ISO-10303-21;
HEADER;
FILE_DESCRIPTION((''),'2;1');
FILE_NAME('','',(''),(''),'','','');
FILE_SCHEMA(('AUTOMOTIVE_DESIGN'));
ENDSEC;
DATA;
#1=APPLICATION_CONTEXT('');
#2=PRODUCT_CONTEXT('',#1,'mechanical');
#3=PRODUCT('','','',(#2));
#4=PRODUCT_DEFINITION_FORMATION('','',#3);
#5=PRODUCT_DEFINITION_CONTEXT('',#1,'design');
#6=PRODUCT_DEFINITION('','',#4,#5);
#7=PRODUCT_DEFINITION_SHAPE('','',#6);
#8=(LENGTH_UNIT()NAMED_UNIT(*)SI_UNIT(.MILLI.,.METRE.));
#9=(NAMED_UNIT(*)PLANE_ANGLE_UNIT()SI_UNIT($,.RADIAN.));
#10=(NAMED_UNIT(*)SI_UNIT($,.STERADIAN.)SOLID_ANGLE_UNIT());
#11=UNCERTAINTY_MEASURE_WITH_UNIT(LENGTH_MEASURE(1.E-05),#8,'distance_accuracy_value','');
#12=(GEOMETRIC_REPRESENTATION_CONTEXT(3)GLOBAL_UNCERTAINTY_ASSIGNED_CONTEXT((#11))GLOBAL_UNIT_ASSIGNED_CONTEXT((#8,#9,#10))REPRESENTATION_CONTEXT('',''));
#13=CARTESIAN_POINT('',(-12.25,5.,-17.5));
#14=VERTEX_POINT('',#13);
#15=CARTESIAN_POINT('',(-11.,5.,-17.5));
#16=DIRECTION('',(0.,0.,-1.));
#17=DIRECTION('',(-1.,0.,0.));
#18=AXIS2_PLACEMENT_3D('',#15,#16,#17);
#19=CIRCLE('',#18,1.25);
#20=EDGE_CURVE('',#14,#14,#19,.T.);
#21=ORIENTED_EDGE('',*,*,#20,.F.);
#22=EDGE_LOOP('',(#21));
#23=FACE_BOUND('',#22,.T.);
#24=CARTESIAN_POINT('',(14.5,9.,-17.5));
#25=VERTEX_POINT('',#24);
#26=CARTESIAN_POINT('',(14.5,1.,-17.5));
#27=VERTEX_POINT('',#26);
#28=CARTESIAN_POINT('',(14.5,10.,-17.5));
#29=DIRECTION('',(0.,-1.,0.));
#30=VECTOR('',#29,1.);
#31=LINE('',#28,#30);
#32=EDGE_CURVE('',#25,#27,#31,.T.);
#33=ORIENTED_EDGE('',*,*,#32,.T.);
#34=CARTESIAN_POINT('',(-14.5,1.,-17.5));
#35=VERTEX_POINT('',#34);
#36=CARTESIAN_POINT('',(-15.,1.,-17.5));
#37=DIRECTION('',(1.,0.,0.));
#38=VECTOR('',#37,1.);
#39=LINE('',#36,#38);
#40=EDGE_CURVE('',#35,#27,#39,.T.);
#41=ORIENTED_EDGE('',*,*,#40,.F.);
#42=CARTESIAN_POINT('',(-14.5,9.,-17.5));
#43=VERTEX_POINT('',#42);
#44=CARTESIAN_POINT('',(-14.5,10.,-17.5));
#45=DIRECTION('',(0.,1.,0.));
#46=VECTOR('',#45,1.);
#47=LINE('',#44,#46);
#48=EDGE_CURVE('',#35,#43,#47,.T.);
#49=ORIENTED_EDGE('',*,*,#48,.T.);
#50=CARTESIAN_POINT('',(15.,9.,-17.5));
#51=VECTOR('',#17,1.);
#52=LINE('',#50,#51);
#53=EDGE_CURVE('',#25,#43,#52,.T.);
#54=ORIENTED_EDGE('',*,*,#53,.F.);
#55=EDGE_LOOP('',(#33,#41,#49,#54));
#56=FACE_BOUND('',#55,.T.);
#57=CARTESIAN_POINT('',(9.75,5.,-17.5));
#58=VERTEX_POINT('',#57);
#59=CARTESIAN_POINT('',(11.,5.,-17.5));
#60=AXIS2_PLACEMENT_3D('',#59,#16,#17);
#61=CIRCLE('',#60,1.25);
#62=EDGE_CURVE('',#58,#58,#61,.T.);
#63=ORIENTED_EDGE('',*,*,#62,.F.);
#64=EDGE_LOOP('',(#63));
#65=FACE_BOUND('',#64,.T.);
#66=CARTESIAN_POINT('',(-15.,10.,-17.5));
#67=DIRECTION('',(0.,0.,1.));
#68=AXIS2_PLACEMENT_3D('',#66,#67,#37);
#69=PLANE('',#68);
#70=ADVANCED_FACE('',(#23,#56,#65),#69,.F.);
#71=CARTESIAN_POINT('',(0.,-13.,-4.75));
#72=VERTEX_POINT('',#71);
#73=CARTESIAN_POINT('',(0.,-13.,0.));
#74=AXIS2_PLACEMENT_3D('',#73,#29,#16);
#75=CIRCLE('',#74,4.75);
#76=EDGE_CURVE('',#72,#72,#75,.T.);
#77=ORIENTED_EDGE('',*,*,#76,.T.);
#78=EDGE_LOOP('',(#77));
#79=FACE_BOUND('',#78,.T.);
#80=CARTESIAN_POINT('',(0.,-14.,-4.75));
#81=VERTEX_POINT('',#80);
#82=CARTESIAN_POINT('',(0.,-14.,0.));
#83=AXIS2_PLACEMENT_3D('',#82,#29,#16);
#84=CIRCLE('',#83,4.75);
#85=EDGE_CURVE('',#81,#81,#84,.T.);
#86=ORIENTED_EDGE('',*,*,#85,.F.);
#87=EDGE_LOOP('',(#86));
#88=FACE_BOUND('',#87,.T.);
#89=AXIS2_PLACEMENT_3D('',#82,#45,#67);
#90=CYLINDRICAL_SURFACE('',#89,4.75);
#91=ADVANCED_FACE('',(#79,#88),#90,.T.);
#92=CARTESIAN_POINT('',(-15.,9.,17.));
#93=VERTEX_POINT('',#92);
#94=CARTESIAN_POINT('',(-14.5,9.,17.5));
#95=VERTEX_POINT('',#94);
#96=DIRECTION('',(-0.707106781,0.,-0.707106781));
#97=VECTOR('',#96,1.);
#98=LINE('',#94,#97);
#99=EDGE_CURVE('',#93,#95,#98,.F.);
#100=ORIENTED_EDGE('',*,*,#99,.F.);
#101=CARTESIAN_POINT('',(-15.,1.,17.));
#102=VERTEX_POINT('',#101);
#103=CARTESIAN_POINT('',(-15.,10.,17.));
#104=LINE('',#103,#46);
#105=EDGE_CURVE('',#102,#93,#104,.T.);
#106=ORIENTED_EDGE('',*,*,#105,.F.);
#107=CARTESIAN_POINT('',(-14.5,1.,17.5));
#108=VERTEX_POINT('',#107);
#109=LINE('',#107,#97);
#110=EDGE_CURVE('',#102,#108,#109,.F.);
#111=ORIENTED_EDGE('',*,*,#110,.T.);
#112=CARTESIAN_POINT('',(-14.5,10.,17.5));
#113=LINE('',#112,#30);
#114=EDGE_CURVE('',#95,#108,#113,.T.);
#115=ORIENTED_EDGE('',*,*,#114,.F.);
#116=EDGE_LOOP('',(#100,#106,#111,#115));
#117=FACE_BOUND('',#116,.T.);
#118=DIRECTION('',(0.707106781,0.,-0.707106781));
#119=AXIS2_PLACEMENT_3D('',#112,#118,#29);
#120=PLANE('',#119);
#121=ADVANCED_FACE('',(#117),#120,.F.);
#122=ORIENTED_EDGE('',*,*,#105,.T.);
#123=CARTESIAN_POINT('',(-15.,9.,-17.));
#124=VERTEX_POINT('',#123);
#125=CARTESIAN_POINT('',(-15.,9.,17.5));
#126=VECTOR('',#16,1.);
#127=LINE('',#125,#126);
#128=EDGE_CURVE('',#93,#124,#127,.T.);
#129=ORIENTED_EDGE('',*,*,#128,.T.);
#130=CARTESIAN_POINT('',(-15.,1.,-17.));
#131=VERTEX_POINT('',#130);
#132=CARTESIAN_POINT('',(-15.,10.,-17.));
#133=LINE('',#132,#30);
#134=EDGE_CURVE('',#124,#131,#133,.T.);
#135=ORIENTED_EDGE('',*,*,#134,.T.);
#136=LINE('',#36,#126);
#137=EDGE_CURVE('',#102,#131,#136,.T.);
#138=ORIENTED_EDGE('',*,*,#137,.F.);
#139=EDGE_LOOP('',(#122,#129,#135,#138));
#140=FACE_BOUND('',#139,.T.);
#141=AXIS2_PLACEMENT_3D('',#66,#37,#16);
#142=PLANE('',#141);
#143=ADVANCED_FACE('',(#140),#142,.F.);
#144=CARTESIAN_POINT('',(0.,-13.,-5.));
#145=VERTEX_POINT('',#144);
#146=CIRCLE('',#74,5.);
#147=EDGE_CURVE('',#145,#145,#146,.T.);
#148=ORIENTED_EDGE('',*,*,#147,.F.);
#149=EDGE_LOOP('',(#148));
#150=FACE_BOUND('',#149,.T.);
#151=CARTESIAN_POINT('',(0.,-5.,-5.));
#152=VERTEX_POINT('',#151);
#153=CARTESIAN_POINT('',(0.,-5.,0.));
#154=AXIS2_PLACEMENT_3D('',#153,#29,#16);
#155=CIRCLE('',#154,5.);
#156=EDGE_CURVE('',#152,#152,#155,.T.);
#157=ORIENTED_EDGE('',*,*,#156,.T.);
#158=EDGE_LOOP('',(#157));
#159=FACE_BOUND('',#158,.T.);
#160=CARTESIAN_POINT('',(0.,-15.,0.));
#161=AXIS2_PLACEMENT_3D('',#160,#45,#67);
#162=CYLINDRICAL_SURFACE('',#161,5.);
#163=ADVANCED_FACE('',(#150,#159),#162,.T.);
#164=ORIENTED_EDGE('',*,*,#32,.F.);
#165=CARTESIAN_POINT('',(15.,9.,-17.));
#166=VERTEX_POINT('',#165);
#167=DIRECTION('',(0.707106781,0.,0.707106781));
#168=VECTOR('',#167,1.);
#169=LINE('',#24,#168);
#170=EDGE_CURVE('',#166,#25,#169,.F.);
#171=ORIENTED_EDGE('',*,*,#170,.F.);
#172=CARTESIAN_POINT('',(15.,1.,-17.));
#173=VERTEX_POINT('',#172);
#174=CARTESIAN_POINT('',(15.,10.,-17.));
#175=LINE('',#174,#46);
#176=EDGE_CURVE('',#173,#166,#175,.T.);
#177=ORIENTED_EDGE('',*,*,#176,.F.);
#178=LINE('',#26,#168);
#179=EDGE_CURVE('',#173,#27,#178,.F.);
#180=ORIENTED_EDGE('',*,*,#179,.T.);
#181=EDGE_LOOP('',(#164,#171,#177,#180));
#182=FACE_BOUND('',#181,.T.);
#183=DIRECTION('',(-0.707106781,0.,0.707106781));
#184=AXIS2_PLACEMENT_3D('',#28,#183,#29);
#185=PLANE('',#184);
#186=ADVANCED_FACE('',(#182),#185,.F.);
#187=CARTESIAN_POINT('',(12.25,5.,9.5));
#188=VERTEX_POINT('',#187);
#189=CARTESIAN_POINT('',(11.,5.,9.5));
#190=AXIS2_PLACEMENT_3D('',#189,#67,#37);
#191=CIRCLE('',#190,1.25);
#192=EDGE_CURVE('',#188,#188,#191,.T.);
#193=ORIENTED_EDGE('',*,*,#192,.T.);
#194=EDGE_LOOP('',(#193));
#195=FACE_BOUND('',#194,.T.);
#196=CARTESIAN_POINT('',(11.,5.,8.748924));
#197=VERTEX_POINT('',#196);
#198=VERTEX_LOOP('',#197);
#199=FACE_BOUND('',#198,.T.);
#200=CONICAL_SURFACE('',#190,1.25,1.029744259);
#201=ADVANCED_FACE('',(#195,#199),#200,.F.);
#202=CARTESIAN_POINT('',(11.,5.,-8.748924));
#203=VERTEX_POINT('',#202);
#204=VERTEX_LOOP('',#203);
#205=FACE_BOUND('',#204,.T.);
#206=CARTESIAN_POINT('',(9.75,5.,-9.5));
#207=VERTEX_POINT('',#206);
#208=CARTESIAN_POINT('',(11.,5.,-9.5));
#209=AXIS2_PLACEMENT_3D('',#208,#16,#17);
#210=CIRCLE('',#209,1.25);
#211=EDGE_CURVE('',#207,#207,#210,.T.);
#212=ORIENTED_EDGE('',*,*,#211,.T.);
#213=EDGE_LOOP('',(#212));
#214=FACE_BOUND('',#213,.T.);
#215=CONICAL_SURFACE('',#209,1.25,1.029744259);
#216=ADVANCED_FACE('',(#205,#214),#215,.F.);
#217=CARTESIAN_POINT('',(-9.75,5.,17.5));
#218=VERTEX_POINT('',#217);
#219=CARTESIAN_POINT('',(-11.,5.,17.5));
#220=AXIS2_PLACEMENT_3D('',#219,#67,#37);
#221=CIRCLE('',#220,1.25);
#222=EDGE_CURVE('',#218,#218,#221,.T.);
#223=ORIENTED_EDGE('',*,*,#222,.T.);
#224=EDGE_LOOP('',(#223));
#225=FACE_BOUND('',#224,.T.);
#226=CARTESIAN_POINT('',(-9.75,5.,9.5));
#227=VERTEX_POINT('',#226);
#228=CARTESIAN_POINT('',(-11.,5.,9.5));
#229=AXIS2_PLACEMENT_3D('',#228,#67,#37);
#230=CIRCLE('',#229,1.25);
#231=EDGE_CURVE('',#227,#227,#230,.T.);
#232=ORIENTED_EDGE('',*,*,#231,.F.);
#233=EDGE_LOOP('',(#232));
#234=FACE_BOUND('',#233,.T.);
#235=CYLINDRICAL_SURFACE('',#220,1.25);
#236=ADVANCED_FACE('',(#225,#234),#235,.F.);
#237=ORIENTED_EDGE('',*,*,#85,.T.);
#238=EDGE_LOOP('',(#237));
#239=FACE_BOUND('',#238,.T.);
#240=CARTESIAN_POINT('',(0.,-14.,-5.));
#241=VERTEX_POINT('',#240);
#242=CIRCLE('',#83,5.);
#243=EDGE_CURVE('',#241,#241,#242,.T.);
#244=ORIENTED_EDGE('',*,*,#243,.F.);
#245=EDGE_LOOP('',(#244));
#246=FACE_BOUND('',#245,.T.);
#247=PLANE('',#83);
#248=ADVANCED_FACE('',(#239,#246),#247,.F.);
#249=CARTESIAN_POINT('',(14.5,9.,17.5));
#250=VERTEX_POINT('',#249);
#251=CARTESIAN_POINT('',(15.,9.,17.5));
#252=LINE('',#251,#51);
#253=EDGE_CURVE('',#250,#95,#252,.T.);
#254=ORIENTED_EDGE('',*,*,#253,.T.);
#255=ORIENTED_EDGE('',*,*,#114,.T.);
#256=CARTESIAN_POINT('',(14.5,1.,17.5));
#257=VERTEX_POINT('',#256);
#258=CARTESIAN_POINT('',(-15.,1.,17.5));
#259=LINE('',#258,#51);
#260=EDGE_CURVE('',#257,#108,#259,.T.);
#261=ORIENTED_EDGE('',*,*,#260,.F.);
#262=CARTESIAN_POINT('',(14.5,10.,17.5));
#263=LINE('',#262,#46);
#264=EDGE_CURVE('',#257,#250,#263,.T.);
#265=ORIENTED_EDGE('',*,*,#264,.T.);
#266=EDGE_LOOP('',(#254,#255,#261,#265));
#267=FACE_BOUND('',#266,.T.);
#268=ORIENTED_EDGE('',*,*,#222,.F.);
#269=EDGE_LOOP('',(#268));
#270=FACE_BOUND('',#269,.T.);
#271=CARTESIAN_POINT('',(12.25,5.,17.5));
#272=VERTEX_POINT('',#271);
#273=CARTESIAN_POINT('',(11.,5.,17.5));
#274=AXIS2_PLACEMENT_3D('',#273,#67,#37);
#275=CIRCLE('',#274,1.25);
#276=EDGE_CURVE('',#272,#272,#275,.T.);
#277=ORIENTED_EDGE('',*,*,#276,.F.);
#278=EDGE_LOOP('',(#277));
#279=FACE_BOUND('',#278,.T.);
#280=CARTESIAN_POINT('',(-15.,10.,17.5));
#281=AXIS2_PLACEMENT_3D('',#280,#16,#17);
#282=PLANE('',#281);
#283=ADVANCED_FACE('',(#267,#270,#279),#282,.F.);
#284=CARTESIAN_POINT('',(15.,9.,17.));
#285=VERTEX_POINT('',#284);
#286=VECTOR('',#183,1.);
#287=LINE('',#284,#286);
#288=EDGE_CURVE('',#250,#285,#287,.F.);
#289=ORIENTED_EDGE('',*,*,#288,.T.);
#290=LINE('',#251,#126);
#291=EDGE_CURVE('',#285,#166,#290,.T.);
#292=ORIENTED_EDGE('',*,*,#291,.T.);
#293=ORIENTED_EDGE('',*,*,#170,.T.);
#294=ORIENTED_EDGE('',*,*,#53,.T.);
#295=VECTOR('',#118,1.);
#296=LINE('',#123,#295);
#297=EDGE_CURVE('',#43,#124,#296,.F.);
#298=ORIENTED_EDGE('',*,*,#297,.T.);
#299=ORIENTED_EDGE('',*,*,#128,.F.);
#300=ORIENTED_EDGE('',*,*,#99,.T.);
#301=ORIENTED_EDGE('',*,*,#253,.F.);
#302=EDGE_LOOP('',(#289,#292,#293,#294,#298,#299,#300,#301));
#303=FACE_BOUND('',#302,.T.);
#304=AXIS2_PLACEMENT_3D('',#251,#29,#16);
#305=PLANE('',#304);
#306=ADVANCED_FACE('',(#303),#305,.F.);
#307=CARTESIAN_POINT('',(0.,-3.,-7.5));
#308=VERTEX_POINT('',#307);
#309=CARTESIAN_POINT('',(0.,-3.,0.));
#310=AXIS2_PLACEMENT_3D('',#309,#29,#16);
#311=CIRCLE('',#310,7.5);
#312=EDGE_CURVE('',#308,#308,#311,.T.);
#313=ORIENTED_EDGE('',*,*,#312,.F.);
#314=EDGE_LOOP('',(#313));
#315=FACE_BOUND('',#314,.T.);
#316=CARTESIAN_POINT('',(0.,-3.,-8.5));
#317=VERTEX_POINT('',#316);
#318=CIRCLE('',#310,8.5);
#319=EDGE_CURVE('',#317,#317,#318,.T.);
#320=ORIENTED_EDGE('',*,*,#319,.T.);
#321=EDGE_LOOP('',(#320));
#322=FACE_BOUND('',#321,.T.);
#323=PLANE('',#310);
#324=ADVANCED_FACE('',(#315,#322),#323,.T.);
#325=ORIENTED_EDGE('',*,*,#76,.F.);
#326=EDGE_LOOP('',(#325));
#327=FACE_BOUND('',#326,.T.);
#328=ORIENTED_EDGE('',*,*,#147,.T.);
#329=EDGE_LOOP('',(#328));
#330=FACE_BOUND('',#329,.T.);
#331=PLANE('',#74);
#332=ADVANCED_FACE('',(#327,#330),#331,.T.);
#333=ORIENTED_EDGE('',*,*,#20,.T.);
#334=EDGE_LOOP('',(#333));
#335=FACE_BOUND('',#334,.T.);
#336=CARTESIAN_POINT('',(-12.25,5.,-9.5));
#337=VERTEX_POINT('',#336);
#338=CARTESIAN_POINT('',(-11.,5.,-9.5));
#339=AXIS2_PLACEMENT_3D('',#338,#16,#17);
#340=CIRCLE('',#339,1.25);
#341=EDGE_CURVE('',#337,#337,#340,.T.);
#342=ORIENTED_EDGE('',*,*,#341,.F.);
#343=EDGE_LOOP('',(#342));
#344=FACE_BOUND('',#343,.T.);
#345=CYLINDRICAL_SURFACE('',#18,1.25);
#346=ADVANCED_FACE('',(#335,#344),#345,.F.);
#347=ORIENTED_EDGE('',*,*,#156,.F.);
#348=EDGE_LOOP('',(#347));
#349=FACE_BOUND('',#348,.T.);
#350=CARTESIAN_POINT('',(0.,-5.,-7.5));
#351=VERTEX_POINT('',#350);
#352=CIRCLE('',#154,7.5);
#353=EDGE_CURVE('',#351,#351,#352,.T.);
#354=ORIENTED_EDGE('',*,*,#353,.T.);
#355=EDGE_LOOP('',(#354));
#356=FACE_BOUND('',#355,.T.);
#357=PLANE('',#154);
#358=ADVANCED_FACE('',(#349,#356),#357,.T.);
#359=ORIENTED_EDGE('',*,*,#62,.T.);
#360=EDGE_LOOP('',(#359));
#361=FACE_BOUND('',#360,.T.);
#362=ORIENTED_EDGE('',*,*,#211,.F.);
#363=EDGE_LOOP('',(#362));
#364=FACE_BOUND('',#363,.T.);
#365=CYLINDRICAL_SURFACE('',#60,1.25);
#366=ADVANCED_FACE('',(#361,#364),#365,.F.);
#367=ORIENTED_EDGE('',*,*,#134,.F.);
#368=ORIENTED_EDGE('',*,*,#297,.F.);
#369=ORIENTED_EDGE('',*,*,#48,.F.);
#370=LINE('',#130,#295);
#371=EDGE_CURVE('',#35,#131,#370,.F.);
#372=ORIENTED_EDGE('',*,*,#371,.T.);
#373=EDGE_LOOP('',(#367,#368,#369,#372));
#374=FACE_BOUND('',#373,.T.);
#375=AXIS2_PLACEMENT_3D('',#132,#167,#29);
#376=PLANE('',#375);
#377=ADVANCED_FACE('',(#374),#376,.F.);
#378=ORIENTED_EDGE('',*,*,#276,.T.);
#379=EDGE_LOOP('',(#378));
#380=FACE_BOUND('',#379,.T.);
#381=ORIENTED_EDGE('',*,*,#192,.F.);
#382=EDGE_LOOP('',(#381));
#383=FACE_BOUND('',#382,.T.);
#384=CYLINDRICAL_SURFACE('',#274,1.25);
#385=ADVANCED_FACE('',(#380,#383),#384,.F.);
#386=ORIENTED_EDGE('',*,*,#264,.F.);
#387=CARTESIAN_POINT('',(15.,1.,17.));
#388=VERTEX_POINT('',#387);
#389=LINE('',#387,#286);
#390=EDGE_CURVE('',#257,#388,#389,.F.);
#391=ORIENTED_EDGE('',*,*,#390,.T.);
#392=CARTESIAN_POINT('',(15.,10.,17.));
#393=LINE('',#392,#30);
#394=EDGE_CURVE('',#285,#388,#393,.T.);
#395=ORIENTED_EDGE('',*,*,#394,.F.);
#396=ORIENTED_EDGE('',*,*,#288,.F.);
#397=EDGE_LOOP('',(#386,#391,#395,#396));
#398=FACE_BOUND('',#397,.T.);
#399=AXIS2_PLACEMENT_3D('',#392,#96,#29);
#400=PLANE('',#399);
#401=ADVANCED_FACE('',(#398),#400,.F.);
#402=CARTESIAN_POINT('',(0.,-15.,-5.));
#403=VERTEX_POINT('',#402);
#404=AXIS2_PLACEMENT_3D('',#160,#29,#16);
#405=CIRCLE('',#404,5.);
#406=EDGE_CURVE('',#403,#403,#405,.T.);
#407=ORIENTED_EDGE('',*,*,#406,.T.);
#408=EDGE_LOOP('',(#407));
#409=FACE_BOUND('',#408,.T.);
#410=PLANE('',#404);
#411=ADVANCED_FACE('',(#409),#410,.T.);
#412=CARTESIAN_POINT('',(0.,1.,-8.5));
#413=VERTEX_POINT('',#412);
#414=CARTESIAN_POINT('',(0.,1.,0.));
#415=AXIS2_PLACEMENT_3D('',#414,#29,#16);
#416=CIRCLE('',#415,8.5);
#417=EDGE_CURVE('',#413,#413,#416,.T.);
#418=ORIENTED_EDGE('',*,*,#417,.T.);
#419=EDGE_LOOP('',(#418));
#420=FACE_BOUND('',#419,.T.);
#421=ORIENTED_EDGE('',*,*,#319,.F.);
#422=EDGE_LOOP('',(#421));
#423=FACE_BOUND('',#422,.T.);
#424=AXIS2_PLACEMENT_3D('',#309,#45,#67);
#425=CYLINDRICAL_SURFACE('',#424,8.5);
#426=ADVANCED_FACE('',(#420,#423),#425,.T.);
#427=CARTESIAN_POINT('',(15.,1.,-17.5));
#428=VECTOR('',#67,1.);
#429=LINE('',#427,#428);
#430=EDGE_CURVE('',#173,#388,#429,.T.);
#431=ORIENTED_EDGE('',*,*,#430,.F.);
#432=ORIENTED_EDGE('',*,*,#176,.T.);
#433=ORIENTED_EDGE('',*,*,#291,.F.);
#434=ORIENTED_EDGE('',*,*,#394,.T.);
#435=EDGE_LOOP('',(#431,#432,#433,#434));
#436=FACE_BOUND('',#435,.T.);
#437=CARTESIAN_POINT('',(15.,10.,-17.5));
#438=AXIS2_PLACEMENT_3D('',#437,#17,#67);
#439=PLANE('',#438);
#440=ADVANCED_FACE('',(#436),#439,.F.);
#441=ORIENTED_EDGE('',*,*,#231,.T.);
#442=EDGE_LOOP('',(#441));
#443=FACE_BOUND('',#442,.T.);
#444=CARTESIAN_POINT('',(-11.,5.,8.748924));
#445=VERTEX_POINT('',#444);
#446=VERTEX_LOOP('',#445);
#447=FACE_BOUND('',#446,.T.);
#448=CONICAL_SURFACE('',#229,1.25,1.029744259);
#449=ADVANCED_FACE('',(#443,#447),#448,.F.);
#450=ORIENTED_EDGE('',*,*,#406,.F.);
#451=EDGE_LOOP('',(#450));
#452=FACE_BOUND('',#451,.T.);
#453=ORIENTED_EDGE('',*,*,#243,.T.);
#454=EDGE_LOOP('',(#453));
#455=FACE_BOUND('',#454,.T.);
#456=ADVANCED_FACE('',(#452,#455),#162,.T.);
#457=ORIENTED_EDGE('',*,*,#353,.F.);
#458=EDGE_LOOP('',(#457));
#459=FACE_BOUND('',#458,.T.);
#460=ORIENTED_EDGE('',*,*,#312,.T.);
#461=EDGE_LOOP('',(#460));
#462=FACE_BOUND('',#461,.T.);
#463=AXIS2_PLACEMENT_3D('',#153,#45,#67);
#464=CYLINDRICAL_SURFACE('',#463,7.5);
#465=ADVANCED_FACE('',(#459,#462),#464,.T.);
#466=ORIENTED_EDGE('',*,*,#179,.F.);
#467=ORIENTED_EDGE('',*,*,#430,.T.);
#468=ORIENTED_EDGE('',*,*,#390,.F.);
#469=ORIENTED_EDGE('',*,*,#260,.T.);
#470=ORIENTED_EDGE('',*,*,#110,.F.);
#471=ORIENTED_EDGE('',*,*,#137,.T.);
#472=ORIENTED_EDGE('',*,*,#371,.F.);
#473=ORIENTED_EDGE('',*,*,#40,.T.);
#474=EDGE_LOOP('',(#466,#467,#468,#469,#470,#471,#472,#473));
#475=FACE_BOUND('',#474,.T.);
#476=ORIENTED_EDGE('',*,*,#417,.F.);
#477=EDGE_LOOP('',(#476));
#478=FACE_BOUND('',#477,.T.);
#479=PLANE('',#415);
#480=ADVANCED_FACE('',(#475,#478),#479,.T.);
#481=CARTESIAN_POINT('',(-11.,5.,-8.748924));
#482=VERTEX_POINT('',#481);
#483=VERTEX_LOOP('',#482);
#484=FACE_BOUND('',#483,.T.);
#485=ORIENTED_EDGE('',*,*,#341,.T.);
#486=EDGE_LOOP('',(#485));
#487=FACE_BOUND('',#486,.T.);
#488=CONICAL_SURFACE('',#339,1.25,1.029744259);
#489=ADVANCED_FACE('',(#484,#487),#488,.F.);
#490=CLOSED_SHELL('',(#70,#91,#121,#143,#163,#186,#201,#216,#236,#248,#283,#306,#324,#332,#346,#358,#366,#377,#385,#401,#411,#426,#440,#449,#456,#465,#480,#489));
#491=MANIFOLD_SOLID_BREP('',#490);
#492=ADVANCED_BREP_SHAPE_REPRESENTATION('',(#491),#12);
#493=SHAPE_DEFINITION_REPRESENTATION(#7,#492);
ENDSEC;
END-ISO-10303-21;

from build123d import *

# Parameters (mm, degrees)
SKETCH_1_W                  = 30
SKETCH_1_H                  = 35
EXTRUDE_1_DEPTH             = 10
CHAMFER_1_SIZE              = 0.5
SKETCH_7_W                  = 31.194113832
SKETCH_7_H                  = 36.870983812
CUT_EXTRUDE_4_DEPTH         = 1
SKETCH_8_R                  = 5
EXTRUDE_2_DEPTH             = 16
SKETCH_9_R                  = 8.5
SKETCH_9_R_2                = 5
EXTRUDE_3_DEPTH             = 4
SKETCH_10_R                 = 7.5
SKETCH_10_R_2               = 5
EXTRUDE_4_DEPTH             = 2
SKETCH_11_R                 = 5
SKETCH_11_R_2               = 4.75
CUT_EXTRUDE_5_DEPTH         = 1
HOLE_WIZARD_M3_1_AT_2_COUNT = 2
HOLE_WIZARD_M3_1_AT_2_PITCH = 22
SKETCH_13_W                 = 30
SKETCH_13_H                 = 1
CUT_EXTRUDE_6_DEPTH         = 41.926763859


with BuildPart() as part:
    # 草图1 → 凸台-拉伸1 (new body)
    with BuildSketch(Plane(origin=(0, 0, 0), x_dir=(1, 0, 0), z_dir=(0, 1, 0))):
        Rectangle(SKETCH_1_W, SKETCH_1_H)
    extrude(amount=EXTRUDE_1_DEPTH)

    # 倒角1
    chamfer_1_edges = [part.edges().sort_by_distance(p)[0] for p in [
        (15, 5, 17.5),
        (-15, 5, 17.5),
        (-15, 5, -17.5),
        (15, 5, -17.5),
    ]]
    chamfer(chamfer_1_edges, length=CHAMFER_1_SIZE)

    # 草图7 → 切除-拉伸4 (cut)
    with BuildSketch(Plane.XZ):
        Rectangle(SKETCH_7_W, SKETCH_7_H)
    extrude(amount=-CUT_EXTRUDE_4_DEPTH, mode=Mode.SUBTRACT)

    # 草图8 → 凸台-拉伸2 (add)
    with BuildSketch(Plane.XZ.offset(-1)):
        with Locations(Location((0, 0, 0), (0, 0, 270))):
            Circle(SKETCH_8_R)
    extrude(amount=EXTRUDE_2_DEPTH)

    # 草图9 → 凸台-拉伸3 (add)
    with BuildSketch(Plane.XZ.offset(-1)):
        with Locations(Location((0, 0, 0), (0, 0, 270))):
            Circle(SKETCH_9_R)
        with Locations(Location((0, 0, 0), (0, 0, 270))):
            Circle(SKETCH_9_R_2, mode=Mode.SUBTRACT)
    extrude(amount=EXTRUDE_3_DEPTH)

    # 草图10 → 凸台-拉伸4 (add)
    with BuildSketch(Plane.XZ.offset(3)):
        with Locations(Location((0, 0, 0), (0, 0, 270))):
            Circle(SKETCH_10_R)
        with Locations(Location((0, 0, 0), (0, 0, 270))):
            Circle(SKETCH_10_R_2, mode=Mode.SUBTRACT)
    extrude(amount=EXTRUDE_4_DEPTH)

    # 草图11 → 切除-拉伸5 (cut)
    with BuildSketch(Plane(origin=(0, -13, 0), x_dir=(-1, 0, 0), z_dir=(0, -1, 0))):
        with Locations(Location((0, 0, 0), (0, 0, 90))):
            Circle(SKETCH_11_R)
        with Locations(Location((0, 0, 0), (0, 0, 90))):
            Circle(SKETCH_11_R_2, mode=Mode.SUBTRACT)
    extrude(amount=CUT_EXTRUDE_5_DEPTH, mode=Mode.SUBTRACT)

    # 草图12 → M3 螺纹孔1 (revolve, cut)
    with BuildSketch(Plane(origin=(11, 5, 17.5), x_dir=(0, -1, 0), z_dir=(1, 0, 0))):
        Polygon((0, 0), (0, 8.751075774), (1.25, 8), (1.25, 0), align=None)
    hole_wizard_m3_1 = revolve(axis=Axis((11, 5, 23.85), (0, 0, -1)), mode=Mode.SUBTRACT)

    # M3 螺纹孔1 at 2: M3 螺纹孔1 ×2
    with Locations(*[(-i * HOLE_WIZARD_M3_1_AT_2_PITCH, 0, 0) for i in range(1, HOLE_WIZARD_M3_1_AT_2_COUNT)]):
        add(hole_wizard_m3_1, mode=Mode.SUBTRACT)

    # 镜向1: M3 螺纹孔1 across plane
    add(hole_wizard_m3_1.mirror(Plane.XY), mode=Mode.SUBTRACT)

    # 镜向1 copy 1 sketch → 镜向1 copy 1 (revolve, cut)
    with BuildSketch(Plane(origin=(-11, 5, -17.5), x_dir=(0, -1, 0), z_dir=(1, 0, 0))):
        Polygon((0, 0), (0, -8.751075774), (1.25, -8), (1.25, 0), align=None)
    revolve(axis=Axis((-11, 5, -23.85), (0, 0, -1)), mode=Mode.SUBTRACT)

    # 草图13 → 切除-拉伸6 (cut, through all)
    with BuildSketch(Plane(origin=(0, 0, -17.5), x_dir=(-1, 0, 0), z_dir=(0, 0, -1))):
        with Locations((0, 9.5)):
            Rectangle(SKETCH_13_W, SKETCH_13_H)
    extrude(amount=-CUT_EXTRUDE_6_DEPTH, mode=Mode.SUBTRACT)


solid = part.part
